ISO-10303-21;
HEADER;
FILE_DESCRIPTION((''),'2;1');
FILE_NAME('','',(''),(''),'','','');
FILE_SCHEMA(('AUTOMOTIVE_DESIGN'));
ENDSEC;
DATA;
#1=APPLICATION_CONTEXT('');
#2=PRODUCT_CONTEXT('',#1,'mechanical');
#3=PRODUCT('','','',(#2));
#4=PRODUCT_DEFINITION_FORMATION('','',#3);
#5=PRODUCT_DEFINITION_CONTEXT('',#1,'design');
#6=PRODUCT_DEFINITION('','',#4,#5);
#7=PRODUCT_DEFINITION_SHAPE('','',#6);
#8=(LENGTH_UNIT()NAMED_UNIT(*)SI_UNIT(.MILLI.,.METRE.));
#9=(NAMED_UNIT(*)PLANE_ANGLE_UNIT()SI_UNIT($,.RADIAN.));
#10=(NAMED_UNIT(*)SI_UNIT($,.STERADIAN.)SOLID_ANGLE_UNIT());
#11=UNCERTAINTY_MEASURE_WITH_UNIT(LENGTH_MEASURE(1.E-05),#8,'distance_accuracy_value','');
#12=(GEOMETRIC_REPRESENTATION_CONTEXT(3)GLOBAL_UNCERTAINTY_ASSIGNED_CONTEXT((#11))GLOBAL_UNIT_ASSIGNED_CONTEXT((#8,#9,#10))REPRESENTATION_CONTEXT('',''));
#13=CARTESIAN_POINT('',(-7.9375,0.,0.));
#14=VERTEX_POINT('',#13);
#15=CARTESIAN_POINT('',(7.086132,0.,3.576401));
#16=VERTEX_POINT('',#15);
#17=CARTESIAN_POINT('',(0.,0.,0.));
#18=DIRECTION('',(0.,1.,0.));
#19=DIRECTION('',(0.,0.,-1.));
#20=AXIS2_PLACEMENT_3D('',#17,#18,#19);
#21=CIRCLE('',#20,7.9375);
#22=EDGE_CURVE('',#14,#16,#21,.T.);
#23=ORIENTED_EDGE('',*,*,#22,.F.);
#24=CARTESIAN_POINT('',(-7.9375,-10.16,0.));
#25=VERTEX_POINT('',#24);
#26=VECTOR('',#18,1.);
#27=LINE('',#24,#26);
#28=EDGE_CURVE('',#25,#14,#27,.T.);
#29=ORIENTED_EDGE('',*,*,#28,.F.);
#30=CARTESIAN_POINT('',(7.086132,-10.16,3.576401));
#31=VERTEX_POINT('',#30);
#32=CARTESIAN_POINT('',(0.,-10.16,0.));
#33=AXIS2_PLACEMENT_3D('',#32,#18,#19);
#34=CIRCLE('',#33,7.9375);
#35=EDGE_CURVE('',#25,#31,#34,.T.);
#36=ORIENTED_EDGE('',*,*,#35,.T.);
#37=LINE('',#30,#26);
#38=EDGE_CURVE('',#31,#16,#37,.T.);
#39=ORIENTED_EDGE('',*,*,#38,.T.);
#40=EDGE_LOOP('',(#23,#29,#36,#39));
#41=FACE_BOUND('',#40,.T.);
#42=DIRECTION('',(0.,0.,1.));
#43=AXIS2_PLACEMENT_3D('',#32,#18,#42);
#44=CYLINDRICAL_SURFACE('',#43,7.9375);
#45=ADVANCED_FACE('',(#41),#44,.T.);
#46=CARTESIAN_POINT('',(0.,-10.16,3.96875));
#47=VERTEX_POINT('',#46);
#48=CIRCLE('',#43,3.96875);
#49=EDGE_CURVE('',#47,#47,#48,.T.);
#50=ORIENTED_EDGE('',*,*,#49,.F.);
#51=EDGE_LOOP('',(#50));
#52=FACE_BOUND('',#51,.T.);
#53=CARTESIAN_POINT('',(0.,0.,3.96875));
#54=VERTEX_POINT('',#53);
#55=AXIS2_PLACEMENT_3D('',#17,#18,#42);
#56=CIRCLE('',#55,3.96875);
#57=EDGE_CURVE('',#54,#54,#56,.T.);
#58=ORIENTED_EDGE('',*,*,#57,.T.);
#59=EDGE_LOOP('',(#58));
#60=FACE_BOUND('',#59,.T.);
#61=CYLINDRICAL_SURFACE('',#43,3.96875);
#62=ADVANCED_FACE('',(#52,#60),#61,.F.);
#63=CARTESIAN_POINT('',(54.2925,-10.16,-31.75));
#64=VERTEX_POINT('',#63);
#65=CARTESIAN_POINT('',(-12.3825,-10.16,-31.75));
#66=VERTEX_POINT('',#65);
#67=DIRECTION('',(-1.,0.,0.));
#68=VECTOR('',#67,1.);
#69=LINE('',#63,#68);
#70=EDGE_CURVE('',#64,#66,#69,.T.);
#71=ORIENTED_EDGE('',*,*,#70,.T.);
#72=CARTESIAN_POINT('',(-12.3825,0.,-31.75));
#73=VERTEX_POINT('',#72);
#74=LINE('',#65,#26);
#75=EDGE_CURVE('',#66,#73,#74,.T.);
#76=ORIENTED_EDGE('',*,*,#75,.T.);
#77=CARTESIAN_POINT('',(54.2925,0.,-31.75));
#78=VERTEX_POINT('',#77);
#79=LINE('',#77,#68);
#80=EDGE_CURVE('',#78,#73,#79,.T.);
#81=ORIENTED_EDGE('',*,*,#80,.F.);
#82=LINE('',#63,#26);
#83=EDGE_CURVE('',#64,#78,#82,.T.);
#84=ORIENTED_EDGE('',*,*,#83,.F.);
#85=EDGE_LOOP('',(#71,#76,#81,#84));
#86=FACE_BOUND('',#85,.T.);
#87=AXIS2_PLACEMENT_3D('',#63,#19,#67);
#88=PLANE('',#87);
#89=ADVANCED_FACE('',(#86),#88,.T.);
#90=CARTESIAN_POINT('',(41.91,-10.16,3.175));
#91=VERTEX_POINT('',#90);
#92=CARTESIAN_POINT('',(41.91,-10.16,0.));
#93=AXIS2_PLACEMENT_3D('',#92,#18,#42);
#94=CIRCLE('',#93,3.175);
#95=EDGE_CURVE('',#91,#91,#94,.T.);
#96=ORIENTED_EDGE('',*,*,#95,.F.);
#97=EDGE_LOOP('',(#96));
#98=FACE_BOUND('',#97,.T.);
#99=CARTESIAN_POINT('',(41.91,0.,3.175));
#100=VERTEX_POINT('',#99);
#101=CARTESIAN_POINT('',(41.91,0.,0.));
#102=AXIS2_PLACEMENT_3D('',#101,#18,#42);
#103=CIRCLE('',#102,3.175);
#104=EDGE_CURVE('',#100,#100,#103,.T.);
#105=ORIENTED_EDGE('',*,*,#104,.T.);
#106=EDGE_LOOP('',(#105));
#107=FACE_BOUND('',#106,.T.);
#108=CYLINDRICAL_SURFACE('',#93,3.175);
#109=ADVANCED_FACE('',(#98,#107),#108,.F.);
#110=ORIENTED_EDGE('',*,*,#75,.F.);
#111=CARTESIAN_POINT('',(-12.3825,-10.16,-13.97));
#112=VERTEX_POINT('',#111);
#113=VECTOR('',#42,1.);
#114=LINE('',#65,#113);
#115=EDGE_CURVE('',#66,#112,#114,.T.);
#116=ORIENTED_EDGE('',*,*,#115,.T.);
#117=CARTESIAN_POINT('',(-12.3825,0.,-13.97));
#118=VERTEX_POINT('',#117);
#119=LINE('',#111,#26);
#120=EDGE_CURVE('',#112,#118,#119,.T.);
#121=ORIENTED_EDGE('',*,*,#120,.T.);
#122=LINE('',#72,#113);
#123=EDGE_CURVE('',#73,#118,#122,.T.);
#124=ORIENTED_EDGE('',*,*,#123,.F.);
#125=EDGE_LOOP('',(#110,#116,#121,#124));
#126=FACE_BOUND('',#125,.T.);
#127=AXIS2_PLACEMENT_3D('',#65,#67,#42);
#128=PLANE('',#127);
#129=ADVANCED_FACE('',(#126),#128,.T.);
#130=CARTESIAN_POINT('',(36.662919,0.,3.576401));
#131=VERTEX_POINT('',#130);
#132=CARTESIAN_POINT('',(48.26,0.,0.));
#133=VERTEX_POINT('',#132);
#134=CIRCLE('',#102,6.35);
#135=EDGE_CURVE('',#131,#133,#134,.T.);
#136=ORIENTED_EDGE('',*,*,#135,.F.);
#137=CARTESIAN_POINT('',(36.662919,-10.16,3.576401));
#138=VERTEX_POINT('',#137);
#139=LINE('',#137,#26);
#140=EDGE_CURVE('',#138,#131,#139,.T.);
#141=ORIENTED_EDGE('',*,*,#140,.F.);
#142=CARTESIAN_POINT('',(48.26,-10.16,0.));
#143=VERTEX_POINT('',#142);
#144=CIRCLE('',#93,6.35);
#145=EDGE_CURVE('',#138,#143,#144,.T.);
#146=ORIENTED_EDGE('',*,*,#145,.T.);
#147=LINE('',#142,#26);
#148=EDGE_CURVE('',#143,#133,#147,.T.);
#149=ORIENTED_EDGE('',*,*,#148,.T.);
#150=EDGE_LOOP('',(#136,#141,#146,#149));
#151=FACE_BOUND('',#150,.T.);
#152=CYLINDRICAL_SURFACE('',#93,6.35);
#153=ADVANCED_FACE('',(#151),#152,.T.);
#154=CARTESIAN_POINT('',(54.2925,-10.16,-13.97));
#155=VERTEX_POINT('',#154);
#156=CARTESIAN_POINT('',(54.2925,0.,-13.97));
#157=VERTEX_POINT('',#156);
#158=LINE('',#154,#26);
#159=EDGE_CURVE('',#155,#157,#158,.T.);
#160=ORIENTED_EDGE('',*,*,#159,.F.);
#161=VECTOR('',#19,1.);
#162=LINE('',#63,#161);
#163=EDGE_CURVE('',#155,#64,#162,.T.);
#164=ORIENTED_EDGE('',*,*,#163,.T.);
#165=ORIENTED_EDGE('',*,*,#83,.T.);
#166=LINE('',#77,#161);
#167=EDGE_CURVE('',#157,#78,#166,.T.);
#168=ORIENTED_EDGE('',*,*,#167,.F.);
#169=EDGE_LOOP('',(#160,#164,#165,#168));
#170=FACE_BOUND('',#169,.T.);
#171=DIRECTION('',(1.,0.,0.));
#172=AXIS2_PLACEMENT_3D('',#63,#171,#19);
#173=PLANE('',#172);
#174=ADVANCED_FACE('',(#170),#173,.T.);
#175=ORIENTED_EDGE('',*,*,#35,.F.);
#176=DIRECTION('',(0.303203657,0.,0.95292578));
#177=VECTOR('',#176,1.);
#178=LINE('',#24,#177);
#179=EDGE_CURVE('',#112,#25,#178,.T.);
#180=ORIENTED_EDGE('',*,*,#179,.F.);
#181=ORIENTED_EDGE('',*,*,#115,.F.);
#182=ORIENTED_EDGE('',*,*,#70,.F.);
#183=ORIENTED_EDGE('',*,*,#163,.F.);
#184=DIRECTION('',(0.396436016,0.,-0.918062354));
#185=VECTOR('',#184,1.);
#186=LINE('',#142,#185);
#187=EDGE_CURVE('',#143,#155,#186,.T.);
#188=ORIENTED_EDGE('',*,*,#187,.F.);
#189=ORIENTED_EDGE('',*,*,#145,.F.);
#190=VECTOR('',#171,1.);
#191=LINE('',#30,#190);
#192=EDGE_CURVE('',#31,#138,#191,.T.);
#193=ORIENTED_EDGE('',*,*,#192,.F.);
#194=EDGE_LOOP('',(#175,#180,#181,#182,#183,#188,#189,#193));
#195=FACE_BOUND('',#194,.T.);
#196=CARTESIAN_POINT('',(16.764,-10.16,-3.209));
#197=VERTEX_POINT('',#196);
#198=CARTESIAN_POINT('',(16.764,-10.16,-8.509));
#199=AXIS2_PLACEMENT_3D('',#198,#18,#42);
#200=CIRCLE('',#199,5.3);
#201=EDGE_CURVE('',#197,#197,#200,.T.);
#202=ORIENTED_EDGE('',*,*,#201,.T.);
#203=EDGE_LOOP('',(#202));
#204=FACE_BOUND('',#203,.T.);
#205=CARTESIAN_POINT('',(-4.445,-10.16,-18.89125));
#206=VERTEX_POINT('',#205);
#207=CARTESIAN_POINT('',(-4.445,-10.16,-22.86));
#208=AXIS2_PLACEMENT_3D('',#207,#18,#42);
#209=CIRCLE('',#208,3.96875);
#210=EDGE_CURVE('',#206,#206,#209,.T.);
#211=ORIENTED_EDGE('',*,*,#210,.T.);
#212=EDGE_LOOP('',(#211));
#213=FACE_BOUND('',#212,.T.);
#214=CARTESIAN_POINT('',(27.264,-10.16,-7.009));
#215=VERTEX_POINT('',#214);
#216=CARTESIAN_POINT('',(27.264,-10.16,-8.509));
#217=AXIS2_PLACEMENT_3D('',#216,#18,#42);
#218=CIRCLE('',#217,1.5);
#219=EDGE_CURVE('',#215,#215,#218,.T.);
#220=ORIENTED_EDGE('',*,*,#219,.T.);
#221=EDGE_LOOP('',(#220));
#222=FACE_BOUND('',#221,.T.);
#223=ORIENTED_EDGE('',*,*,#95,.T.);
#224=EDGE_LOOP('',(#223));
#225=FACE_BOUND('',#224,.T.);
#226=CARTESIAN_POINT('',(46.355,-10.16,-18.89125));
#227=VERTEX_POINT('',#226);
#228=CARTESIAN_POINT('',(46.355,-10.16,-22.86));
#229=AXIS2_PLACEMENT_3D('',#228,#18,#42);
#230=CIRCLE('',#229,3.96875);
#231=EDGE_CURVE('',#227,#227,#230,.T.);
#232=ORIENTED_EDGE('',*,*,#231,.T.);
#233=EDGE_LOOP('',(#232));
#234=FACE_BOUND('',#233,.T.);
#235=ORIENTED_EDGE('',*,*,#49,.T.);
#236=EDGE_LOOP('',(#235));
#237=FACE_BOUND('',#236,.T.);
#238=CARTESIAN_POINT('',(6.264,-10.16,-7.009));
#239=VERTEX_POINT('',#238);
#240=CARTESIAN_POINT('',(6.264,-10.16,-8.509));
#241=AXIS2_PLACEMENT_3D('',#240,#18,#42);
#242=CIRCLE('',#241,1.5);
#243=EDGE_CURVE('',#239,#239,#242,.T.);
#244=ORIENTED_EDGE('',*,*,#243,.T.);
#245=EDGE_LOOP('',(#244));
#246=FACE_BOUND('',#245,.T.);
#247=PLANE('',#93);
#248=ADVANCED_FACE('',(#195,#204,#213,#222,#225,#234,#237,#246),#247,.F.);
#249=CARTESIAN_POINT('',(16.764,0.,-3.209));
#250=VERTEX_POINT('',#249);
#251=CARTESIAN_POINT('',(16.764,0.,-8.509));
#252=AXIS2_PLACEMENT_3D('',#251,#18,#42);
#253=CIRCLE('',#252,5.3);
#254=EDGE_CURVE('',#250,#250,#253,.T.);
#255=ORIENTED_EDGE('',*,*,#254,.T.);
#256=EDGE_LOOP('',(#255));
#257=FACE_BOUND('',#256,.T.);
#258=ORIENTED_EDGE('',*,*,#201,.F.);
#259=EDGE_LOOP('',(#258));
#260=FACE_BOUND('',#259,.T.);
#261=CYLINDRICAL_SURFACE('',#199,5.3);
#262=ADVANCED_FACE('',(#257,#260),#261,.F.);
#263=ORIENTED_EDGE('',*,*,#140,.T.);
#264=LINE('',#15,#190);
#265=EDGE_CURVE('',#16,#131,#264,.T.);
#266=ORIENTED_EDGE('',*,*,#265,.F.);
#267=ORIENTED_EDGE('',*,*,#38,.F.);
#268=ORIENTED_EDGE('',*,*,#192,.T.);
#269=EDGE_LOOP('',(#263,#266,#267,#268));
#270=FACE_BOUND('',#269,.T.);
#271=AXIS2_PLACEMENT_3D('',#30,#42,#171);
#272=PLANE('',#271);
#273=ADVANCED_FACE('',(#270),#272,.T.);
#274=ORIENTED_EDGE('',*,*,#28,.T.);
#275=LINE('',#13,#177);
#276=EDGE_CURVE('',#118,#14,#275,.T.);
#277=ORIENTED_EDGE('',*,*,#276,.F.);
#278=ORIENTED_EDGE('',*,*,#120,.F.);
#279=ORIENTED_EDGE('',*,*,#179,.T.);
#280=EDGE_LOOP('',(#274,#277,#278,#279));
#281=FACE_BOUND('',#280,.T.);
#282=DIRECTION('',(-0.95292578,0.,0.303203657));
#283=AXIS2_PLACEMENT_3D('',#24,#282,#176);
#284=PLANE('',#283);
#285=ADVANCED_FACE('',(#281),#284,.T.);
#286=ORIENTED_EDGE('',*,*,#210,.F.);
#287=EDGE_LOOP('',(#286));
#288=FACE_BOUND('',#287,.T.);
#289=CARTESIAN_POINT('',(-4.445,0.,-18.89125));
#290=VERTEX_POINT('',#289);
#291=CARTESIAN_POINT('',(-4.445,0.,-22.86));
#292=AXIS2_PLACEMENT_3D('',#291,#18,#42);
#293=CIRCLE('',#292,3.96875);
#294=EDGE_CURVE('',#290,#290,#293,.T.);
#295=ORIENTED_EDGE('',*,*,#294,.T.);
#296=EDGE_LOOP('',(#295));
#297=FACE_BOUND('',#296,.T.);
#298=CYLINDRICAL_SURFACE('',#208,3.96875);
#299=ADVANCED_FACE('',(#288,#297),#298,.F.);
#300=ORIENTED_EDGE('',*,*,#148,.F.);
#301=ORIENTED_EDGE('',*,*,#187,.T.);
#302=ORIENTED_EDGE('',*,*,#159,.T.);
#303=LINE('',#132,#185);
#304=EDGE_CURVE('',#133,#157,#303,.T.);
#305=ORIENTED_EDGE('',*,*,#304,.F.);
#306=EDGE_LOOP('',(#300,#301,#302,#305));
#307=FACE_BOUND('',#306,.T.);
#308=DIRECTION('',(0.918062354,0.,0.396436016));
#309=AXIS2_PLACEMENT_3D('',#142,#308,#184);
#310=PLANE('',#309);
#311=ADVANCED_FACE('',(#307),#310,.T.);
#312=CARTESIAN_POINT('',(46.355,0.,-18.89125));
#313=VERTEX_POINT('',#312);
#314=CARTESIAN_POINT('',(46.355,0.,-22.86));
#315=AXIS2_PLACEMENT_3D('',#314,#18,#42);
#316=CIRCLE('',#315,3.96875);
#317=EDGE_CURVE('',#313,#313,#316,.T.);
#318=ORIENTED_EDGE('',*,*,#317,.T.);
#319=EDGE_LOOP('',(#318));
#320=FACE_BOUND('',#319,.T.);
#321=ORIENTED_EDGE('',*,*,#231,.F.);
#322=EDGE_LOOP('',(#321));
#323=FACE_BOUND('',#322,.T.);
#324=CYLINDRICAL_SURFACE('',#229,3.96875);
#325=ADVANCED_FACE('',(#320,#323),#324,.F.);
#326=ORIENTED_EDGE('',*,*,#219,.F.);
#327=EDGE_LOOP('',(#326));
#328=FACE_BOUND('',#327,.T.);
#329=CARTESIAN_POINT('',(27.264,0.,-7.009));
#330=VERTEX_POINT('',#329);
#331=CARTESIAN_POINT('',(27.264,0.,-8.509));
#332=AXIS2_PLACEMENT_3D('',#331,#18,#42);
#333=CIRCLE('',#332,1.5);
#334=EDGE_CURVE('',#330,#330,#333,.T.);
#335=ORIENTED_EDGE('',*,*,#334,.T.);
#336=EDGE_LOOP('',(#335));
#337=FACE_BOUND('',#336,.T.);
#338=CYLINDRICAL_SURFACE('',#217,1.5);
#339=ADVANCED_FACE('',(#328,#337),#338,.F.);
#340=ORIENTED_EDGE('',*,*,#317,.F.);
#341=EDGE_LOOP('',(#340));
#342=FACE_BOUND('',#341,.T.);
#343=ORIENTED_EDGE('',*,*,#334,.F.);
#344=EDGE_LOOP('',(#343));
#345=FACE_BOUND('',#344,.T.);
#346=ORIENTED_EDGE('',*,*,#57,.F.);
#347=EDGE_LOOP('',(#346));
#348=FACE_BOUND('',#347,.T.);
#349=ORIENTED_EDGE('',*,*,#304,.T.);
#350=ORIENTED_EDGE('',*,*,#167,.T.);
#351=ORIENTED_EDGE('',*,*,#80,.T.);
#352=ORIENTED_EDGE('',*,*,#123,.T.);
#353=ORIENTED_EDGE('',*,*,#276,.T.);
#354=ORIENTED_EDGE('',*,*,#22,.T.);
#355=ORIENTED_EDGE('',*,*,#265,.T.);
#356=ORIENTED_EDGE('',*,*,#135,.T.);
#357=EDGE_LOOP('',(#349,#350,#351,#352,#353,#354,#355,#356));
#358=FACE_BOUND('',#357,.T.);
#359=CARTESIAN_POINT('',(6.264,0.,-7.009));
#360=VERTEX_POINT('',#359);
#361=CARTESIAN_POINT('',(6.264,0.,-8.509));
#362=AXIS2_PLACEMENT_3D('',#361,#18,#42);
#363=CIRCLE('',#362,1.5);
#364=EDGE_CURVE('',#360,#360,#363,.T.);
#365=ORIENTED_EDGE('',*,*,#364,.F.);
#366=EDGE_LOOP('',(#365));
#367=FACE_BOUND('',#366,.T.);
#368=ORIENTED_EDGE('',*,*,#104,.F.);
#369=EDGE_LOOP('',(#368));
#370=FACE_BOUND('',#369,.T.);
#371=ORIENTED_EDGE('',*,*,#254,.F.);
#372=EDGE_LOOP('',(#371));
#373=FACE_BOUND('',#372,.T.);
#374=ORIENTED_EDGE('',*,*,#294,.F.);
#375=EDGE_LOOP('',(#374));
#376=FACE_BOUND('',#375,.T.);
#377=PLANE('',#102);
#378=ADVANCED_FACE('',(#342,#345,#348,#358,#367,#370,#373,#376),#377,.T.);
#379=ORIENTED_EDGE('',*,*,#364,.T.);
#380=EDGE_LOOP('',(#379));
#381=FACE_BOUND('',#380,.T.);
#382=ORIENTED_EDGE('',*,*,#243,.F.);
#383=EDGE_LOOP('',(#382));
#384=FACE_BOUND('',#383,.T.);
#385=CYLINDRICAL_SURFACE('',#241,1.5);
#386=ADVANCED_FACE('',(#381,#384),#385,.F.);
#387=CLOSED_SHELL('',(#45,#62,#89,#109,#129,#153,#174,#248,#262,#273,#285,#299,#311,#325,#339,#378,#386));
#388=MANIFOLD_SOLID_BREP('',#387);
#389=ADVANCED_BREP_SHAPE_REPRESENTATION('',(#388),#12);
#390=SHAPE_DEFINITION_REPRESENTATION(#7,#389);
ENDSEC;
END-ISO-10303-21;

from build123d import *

# Parameters (mm, degrees)
SKETCH1_R           = 3.96875
SKETCH1_R_2         = 3.175
SKETCH1_R_3         = 5.3
SKETCH1_R_4         = 1.5
BOSS_EXTRUDE1_DEPTH = 10.16


with BuildPart() as part:
    # Sketch1 → Boss-Extrude1 (new body)
    with BuildSketch(Plane(origin=(0, 0, 0), x_dir=(1, 0, 0), z_dir=(0, 1, 0))):
        with BuildLine():
            Line((54.2925, 31.75), (-12.3825, 31.75))
            Line((-12.3825, 31.75), (-12.3825, 13.97))
            Line((-12.3825, 13.97), (-7.9375, 0))
            ThreePointArc((-7.9375, 0), (-1.838169821, -7.721725064), (7.086131612, -3.576401128))
            Line((7.086131612, -3.576401128), (36.662919386, -3.576401128))
            ThreePointArc((36.662919386, -3.576401128), (43.781301432, -6.068008813), (48.26, 0))
            Line((48.26, 0), (54.2925, 13.97))
            Line((54.2925, 13.97), (54.2925, 31.75))
        make_face()
        with Locations(Location((0, 0, 0), (0, 0, 270))):
            Circle(SKETCH1_R, mode=Mode.SUBTRACT)
        with Locations(Location((41.91, 0, 0), (0, 0, 270))):
            Circle(SKETCH1_R_2, mode=Mode.SUBTRACT)
        with Locations(Location((46.355, 22.86, 0), (0, 0, 270))):
            Circle(SKETCH1_R, mode=Mode.SUBTRACT)
        with Locations(Location((-4.445, 22.86, 0), (0, 0, 270))):
            Circle(SKETCH1_R, mode=Mode.SUBTRACT)
        with Locations(Location((16.764, 8.509, 0), (0, 0, 270))):
            Circle(SKETCH1_R_3, mode=Mode.SUBTRACT)
        with Locations(Location((6.264, 8.509, 0), (0, 0, 270))):
            Circle(SKETCH1_R_4, mode=Mode.SUBTRACT)
        with Locations(Location((27.264, 8.509, 0), (0, 0, 270))):
            Circle(SKETCH1_R_4, mode=Mode.SUBTRACT)
    extrude(amount=-BOSS_EXTRUDE1_DEPTH)


solid = part.part
